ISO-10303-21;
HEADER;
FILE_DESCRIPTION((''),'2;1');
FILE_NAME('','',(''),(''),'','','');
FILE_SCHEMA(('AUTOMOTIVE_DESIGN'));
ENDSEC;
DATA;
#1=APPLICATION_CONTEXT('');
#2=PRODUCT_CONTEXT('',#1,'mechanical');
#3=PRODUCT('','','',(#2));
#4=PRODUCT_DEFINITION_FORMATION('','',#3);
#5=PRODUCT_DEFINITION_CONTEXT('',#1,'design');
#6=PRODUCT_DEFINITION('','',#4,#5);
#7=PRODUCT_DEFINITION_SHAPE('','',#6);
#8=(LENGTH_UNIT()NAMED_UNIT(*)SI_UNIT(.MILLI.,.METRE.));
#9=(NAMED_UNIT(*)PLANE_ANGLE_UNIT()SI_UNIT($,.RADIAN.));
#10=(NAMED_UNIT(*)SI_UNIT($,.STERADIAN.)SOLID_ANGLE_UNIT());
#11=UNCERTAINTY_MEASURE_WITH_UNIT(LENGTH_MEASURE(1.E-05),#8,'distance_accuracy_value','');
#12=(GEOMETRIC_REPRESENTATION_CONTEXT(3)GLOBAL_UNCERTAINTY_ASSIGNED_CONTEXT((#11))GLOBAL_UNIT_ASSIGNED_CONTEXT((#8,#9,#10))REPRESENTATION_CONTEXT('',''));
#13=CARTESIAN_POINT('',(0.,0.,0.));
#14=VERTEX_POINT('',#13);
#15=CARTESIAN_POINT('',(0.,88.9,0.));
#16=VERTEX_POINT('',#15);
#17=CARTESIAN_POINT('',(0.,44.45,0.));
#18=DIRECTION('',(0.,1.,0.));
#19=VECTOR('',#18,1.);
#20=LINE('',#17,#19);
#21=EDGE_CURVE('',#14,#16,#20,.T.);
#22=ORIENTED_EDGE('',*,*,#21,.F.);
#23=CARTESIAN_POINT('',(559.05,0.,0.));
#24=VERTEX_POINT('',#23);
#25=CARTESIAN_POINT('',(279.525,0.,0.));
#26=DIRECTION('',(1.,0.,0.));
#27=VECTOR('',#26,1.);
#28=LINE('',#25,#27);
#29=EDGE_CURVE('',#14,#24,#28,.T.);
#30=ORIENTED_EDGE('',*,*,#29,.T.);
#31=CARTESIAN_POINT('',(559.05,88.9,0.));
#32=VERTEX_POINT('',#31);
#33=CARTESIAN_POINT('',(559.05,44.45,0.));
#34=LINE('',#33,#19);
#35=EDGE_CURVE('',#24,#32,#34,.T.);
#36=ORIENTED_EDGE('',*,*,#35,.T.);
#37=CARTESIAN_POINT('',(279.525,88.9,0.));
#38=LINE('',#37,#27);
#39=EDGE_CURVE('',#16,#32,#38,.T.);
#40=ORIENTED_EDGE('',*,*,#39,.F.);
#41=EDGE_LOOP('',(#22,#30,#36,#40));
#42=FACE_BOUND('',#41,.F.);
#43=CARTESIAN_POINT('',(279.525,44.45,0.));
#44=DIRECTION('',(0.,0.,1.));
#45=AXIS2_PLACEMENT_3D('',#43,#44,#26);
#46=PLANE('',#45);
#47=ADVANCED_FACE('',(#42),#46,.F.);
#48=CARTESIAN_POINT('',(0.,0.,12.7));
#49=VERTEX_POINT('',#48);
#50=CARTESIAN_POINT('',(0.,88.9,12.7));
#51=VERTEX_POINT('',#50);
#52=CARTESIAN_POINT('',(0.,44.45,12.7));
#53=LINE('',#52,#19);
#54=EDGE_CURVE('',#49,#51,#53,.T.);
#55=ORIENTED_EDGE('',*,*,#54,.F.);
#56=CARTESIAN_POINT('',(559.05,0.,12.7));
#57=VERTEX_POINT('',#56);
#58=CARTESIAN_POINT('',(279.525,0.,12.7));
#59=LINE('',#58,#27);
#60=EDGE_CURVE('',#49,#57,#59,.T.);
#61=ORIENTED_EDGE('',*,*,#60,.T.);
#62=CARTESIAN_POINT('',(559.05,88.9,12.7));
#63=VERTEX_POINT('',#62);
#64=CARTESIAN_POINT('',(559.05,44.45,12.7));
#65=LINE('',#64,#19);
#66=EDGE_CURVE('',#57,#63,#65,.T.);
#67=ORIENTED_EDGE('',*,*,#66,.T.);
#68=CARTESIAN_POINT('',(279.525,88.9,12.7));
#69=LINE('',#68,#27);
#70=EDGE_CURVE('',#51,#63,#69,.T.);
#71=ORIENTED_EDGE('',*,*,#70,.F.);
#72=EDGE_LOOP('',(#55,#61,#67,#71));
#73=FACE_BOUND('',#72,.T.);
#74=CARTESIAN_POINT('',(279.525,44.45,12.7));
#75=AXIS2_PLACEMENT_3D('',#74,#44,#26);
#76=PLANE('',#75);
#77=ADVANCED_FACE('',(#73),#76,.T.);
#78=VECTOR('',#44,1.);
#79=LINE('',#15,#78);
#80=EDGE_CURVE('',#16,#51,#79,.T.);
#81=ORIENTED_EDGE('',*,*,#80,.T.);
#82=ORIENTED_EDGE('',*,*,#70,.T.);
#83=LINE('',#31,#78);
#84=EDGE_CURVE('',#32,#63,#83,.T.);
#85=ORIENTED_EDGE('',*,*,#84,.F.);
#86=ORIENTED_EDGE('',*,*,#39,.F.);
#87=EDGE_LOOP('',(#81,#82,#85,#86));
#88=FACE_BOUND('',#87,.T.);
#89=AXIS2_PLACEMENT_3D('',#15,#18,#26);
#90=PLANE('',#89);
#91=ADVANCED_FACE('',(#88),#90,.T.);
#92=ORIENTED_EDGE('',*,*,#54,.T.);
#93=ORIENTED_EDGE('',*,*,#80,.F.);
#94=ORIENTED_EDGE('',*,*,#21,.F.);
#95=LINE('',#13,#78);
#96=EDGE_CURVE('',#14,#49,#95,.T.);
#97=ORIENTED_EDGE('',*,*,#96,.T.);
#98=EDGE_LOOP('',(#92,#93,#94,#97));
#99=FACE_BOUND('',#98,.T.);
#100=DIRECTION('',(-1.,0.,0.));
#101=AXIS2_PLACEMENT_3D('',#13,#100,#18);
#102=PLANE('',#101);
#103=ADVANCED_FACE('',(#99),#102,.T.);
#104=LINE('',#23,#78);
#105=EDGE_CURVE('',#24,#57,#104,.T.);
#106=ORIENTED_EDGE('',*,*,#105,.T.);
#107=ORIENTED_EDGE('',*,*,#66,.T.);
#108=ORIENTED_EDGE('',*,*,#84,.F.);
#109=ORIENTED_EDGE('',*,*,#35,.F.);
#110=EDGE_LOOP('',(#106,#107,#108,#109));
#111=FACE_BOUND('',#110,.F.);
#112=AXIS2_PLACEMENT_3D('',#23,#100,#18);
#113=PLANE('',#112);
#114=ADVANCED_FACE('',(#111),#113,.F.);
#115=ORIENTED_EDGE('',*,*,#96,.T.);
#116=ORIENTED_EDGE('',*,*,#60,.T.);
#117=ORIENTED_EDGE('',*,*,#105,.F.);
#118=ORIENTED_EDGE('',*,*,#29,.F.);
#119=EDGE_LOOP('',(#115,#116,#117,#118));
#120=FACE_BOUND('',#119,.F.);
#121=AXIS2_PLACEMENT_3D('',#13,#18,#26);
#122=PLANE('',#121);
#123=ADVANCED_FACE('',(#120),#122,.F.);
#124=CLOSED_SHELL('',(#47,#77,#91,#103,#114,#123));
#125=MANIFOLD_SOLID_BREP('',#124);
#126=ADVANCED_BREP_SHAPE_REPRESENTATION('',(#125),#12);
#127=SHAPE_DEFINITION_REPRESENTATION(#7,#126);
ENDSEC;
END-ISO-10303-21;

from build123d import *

# Parameters (mm, degrees)
SKETCH_W  = 559.05
SKETCH_H  = 88.9
PAD_DEPTH = 12.7


with BuildPart() as part:
    # Sketch → Pad (new body)
    with BuildSketch(Plane.XY):
        with Locations((279.525, 44.45)):
            Rectangle(SKETCH_W, SKETCH_H)
    extrude(amount=PAD_DEPTH)


solid = part.part
